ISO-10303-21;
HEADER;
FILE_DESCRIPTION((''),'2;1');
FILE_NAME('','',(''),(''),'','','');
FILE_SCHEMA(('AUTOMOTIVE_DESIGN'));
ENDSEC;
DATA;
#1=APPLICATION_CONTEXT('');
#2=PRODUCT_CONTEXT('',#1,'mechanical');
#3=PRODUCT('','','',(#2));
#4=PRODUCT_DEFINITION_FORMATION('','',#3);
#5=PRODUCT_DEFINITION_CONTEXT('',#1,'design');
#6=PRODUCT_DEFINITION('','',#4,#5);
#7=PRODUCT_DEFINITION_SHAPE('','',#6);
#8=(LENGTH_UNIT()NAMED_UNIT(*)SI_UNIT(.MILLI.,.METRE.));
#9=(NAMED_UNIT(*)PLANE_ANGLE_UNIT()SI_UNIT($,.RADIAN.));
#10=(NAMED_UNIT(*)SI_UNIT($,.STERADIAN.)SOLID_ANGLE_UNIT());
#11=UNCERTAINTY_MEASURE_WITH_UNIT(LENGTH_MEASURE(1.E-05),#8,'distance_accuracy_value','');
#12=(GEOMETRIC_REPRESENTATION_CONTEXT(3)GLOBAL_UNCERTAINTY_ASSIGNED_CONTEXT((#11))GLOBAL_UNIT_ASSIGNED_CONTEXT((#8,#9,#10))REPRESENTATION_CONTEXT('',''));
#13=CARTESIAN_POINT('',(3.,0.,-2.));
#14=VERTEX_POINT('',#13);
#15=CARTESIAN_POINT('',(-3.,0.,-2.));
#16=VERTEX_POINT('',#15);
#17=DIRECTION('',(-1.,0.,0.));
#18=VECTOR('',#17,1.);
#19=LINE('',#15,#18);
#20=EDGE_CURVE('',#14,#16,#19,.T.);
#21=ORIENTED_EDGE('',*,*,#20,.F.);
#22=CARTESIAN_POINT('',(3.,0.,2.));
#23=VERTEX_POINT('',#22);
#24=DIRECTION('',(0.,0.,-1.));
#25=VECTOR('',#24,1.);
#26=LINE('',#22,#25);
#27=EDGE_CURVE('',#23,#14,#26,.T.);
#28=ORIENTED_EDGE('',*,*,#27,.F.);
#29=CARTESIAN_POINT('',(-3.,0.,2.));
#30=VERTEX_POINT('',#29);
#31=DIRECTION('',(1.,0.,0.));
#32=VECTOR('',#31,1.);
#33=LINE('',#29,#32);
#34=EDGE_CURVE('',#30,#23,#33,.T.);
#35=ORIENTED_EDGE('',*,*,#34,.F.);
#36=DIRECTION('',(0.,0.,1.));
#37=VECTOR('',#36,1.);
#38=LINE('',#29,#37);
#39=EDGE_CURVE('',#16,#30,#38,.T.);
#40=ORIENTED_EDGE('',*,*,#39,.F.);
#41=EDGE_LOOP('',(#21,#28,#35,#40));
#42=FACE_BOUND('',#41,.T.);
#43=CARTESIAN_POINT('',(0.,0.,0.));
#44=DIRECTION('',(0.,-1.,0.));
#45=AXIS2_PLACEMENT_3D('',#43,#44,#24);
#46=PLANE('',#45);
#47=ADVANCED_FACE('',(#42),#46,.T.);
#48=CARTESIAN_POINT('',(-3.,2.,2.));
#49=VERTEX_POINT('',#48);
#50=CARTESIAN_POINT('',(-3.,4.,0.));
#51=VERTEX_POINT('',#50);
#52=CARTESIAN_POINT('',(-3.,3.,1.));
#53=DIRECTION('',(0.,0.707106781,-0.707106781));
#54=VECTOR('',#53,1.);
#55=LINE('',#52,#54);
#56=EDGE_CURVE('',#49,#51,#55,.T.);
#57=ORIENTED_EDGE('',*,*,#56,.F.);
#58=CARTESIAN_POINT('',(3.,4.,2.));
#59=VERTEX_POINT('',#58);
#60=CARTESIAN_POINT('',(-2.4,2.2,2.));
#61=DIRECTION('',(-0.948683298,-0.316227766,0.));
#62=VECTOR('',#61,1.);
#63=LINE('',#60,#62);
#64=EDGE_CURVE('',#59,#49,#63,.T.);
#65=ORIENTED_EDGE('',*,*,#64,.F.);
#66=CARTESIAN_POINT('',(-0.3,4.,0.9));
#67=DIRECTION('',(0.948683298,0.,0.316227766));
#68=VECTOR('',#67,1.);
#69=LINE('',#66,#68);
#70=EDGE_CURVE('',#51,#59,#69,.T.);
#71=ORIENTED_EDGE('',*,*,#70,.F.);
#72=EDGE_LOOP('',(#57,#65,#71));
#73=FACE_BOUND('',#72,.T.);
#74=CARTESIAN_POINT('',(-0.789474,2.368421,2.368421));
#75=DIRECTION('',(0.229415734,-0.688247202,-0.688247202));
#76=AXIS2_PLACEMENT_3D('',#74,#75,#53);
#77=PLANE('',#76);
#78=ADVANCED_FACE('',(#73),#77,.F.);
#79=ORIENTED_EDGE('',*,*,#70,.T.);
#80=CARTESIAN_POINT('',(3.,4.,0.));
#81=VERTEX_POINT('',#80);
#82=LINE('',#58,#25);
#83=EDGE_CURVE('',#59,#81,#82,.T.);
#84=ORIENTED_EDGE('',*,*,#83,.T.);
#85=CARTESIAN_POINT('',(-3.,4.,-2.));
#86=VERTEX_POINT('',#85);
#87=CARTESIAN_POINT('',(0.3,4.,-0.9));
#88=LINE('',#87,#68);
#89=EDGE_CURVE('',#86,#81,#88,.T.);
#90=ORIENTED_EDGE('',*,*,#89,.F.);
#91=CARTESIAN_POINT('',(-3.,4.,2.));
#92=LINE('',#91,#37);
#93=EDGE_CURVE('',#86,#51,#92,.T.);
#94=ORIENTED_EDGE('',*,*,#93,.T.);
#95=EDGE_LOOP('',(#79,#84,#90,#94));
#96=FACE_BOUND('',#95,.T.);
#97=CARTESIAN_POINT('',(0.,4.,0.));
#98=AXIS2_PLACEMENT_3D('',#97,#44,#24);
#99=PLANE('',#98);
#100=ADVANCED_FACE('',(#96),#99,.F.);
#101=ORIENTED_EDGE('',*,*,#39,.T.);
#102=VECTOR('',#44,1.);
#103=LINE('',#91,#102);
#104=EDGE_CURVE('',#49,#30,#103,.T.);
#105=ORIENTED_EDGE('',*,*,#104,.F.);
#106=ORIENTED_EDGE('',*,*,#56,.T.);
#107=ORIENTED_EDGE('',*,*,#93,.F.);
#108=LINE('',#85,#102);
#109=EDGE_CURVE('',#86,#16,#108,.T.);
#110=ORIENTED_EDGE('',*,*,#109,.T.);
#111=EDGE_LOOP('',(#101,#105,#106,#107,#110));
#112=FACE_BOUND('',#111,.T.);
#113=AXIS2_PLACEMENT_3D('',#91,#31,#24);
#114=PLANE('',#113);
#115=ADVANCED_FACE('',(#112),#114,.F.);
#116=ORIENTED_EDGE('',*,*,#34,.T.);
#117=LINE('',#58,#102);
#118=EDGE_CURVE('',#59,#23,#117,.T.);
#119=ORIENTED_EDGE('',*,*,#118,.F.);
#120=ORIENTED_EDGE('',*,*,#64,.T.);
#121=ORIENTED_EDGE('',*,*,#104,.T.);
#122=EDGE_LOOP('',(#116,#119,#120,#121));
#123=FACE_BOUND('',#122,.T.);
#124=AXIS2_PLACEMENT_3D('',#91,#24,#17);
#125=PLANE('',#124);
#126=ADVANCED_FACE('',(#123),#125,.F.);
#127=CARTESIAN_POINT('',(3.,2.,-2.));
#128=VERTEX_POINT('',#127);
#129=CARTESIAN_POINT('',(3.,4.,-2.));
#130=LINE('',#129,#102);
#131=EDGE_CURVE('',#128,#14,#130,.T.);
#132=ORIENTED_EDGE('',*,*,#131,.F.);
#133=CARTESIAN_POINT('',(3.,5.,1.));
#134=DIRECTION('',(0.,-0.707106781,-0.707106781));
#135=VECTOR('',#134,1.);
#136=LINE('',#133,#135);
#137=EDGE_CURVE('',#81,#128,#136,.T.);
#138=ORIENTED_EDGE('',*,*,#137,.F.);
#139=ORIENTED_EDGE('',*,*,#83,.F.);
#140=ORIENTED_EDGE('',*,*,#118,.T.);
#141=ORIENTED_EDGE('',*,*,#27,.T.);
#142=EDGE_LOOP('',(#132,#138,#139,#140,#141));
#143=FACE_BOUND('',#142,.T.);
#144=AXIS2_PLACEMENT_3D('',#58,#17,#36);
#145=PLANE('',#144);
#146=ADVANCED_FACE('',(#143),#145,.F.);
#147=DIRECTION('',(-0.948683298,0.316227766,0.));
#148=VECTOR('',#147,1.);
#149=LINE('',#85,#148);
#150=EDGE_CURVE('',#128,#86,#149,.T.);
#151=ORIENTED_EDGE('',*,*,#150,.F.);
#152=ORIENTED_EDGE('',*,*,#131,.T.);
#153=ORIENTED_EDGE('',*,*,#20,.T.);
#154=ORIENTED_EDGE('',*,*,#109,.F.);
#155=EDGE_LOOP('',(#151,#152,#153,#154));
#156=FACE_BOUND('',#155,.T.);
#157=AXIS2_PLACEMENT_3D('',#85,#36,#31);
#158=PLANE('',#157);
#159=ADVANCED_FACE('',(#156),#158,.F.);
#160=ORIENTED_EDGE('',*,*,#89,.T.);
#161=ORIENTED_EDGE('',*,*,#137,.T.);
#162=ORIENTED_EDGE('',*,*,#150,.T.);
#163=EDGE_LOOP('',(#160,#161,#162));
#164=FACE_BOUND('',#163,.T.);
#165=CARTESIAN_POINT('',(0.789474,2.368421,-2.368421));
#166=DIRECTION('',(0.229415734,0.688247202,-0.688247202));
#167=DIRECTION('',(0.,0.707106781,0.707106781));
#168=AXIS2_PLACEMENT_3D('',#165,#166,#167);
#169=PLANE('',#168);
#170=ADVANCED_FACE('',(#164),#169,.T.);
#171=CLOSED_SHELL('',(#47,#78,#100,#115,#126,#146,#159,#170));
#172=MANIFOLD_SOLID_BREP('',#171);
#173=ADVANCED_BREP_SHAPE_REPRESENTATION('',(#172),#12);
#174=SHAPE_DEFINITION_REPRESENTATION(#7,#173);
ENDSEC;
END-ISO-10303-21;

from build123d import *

# Parameters (mm, degrees)
SKETCH_1_W          = 6
SKETCH_1_H          = 4
EXTRUDE_1_DEPTH     = 4
CUT_EXTRUDE_1_DEPTH = 4
SKETCH_10_W         = 32.252295377
SKETCH_10_H         = 15.179180951
CUT_EXTRUDE_2_DEPTH = 5


with BuildPart() as part:
    # 草圖1 → 填料-伸長1 (new body)
    with BuildSketch(Plane(origin=(0, 0, 0), x_dir=(1, 0, 0), z_dir=(0, 1, 0))):
        Rectangle(SKETCH_1_W, SKETCH_1_H)
    extrude(amount=EXTRUDE_1_DEPTH)

    # 草圖6 → 除料-伸長1 (cut)
    with BuildSketch(Plane(origin=(0.789473684, 2.368421053, -2.368421053), x_dir=(0.973328527, -0.162221421, 0.162221421), z_dir=(-0.229415734, -0.688247202, 0.688247202))):
        Polygon((0, 0), (-20.538761547, 0), (-20.538761547, 12.535207186), (11.71353383, 14.625633738), (12.268136792, -0.263322726), align=None)
    extrude(amount=-CUT_EXTRUDE_1_DEPTH, mode=Mode.SUBTRACT)

    # 草圖10 → 除料-伸長2 (cut)
    with BuildSketch(Plane(origin=(-0.789473684, 2.368421053, 2.368421053), x_dir=(0.973328527, 0.162221421, 0.162221421), z_dir=(-0.229415734, 0.688247202, 0.688247202))):
        with Locations((3.943334428, 7.114500239)):
            Rectangle(SKETCH_10_W, SKETCH_10_H)
    extrude(amount=CUT_EXTRUDE_2_DEPTH, mode=Mode.SUBTRACT)


solid = part.part
